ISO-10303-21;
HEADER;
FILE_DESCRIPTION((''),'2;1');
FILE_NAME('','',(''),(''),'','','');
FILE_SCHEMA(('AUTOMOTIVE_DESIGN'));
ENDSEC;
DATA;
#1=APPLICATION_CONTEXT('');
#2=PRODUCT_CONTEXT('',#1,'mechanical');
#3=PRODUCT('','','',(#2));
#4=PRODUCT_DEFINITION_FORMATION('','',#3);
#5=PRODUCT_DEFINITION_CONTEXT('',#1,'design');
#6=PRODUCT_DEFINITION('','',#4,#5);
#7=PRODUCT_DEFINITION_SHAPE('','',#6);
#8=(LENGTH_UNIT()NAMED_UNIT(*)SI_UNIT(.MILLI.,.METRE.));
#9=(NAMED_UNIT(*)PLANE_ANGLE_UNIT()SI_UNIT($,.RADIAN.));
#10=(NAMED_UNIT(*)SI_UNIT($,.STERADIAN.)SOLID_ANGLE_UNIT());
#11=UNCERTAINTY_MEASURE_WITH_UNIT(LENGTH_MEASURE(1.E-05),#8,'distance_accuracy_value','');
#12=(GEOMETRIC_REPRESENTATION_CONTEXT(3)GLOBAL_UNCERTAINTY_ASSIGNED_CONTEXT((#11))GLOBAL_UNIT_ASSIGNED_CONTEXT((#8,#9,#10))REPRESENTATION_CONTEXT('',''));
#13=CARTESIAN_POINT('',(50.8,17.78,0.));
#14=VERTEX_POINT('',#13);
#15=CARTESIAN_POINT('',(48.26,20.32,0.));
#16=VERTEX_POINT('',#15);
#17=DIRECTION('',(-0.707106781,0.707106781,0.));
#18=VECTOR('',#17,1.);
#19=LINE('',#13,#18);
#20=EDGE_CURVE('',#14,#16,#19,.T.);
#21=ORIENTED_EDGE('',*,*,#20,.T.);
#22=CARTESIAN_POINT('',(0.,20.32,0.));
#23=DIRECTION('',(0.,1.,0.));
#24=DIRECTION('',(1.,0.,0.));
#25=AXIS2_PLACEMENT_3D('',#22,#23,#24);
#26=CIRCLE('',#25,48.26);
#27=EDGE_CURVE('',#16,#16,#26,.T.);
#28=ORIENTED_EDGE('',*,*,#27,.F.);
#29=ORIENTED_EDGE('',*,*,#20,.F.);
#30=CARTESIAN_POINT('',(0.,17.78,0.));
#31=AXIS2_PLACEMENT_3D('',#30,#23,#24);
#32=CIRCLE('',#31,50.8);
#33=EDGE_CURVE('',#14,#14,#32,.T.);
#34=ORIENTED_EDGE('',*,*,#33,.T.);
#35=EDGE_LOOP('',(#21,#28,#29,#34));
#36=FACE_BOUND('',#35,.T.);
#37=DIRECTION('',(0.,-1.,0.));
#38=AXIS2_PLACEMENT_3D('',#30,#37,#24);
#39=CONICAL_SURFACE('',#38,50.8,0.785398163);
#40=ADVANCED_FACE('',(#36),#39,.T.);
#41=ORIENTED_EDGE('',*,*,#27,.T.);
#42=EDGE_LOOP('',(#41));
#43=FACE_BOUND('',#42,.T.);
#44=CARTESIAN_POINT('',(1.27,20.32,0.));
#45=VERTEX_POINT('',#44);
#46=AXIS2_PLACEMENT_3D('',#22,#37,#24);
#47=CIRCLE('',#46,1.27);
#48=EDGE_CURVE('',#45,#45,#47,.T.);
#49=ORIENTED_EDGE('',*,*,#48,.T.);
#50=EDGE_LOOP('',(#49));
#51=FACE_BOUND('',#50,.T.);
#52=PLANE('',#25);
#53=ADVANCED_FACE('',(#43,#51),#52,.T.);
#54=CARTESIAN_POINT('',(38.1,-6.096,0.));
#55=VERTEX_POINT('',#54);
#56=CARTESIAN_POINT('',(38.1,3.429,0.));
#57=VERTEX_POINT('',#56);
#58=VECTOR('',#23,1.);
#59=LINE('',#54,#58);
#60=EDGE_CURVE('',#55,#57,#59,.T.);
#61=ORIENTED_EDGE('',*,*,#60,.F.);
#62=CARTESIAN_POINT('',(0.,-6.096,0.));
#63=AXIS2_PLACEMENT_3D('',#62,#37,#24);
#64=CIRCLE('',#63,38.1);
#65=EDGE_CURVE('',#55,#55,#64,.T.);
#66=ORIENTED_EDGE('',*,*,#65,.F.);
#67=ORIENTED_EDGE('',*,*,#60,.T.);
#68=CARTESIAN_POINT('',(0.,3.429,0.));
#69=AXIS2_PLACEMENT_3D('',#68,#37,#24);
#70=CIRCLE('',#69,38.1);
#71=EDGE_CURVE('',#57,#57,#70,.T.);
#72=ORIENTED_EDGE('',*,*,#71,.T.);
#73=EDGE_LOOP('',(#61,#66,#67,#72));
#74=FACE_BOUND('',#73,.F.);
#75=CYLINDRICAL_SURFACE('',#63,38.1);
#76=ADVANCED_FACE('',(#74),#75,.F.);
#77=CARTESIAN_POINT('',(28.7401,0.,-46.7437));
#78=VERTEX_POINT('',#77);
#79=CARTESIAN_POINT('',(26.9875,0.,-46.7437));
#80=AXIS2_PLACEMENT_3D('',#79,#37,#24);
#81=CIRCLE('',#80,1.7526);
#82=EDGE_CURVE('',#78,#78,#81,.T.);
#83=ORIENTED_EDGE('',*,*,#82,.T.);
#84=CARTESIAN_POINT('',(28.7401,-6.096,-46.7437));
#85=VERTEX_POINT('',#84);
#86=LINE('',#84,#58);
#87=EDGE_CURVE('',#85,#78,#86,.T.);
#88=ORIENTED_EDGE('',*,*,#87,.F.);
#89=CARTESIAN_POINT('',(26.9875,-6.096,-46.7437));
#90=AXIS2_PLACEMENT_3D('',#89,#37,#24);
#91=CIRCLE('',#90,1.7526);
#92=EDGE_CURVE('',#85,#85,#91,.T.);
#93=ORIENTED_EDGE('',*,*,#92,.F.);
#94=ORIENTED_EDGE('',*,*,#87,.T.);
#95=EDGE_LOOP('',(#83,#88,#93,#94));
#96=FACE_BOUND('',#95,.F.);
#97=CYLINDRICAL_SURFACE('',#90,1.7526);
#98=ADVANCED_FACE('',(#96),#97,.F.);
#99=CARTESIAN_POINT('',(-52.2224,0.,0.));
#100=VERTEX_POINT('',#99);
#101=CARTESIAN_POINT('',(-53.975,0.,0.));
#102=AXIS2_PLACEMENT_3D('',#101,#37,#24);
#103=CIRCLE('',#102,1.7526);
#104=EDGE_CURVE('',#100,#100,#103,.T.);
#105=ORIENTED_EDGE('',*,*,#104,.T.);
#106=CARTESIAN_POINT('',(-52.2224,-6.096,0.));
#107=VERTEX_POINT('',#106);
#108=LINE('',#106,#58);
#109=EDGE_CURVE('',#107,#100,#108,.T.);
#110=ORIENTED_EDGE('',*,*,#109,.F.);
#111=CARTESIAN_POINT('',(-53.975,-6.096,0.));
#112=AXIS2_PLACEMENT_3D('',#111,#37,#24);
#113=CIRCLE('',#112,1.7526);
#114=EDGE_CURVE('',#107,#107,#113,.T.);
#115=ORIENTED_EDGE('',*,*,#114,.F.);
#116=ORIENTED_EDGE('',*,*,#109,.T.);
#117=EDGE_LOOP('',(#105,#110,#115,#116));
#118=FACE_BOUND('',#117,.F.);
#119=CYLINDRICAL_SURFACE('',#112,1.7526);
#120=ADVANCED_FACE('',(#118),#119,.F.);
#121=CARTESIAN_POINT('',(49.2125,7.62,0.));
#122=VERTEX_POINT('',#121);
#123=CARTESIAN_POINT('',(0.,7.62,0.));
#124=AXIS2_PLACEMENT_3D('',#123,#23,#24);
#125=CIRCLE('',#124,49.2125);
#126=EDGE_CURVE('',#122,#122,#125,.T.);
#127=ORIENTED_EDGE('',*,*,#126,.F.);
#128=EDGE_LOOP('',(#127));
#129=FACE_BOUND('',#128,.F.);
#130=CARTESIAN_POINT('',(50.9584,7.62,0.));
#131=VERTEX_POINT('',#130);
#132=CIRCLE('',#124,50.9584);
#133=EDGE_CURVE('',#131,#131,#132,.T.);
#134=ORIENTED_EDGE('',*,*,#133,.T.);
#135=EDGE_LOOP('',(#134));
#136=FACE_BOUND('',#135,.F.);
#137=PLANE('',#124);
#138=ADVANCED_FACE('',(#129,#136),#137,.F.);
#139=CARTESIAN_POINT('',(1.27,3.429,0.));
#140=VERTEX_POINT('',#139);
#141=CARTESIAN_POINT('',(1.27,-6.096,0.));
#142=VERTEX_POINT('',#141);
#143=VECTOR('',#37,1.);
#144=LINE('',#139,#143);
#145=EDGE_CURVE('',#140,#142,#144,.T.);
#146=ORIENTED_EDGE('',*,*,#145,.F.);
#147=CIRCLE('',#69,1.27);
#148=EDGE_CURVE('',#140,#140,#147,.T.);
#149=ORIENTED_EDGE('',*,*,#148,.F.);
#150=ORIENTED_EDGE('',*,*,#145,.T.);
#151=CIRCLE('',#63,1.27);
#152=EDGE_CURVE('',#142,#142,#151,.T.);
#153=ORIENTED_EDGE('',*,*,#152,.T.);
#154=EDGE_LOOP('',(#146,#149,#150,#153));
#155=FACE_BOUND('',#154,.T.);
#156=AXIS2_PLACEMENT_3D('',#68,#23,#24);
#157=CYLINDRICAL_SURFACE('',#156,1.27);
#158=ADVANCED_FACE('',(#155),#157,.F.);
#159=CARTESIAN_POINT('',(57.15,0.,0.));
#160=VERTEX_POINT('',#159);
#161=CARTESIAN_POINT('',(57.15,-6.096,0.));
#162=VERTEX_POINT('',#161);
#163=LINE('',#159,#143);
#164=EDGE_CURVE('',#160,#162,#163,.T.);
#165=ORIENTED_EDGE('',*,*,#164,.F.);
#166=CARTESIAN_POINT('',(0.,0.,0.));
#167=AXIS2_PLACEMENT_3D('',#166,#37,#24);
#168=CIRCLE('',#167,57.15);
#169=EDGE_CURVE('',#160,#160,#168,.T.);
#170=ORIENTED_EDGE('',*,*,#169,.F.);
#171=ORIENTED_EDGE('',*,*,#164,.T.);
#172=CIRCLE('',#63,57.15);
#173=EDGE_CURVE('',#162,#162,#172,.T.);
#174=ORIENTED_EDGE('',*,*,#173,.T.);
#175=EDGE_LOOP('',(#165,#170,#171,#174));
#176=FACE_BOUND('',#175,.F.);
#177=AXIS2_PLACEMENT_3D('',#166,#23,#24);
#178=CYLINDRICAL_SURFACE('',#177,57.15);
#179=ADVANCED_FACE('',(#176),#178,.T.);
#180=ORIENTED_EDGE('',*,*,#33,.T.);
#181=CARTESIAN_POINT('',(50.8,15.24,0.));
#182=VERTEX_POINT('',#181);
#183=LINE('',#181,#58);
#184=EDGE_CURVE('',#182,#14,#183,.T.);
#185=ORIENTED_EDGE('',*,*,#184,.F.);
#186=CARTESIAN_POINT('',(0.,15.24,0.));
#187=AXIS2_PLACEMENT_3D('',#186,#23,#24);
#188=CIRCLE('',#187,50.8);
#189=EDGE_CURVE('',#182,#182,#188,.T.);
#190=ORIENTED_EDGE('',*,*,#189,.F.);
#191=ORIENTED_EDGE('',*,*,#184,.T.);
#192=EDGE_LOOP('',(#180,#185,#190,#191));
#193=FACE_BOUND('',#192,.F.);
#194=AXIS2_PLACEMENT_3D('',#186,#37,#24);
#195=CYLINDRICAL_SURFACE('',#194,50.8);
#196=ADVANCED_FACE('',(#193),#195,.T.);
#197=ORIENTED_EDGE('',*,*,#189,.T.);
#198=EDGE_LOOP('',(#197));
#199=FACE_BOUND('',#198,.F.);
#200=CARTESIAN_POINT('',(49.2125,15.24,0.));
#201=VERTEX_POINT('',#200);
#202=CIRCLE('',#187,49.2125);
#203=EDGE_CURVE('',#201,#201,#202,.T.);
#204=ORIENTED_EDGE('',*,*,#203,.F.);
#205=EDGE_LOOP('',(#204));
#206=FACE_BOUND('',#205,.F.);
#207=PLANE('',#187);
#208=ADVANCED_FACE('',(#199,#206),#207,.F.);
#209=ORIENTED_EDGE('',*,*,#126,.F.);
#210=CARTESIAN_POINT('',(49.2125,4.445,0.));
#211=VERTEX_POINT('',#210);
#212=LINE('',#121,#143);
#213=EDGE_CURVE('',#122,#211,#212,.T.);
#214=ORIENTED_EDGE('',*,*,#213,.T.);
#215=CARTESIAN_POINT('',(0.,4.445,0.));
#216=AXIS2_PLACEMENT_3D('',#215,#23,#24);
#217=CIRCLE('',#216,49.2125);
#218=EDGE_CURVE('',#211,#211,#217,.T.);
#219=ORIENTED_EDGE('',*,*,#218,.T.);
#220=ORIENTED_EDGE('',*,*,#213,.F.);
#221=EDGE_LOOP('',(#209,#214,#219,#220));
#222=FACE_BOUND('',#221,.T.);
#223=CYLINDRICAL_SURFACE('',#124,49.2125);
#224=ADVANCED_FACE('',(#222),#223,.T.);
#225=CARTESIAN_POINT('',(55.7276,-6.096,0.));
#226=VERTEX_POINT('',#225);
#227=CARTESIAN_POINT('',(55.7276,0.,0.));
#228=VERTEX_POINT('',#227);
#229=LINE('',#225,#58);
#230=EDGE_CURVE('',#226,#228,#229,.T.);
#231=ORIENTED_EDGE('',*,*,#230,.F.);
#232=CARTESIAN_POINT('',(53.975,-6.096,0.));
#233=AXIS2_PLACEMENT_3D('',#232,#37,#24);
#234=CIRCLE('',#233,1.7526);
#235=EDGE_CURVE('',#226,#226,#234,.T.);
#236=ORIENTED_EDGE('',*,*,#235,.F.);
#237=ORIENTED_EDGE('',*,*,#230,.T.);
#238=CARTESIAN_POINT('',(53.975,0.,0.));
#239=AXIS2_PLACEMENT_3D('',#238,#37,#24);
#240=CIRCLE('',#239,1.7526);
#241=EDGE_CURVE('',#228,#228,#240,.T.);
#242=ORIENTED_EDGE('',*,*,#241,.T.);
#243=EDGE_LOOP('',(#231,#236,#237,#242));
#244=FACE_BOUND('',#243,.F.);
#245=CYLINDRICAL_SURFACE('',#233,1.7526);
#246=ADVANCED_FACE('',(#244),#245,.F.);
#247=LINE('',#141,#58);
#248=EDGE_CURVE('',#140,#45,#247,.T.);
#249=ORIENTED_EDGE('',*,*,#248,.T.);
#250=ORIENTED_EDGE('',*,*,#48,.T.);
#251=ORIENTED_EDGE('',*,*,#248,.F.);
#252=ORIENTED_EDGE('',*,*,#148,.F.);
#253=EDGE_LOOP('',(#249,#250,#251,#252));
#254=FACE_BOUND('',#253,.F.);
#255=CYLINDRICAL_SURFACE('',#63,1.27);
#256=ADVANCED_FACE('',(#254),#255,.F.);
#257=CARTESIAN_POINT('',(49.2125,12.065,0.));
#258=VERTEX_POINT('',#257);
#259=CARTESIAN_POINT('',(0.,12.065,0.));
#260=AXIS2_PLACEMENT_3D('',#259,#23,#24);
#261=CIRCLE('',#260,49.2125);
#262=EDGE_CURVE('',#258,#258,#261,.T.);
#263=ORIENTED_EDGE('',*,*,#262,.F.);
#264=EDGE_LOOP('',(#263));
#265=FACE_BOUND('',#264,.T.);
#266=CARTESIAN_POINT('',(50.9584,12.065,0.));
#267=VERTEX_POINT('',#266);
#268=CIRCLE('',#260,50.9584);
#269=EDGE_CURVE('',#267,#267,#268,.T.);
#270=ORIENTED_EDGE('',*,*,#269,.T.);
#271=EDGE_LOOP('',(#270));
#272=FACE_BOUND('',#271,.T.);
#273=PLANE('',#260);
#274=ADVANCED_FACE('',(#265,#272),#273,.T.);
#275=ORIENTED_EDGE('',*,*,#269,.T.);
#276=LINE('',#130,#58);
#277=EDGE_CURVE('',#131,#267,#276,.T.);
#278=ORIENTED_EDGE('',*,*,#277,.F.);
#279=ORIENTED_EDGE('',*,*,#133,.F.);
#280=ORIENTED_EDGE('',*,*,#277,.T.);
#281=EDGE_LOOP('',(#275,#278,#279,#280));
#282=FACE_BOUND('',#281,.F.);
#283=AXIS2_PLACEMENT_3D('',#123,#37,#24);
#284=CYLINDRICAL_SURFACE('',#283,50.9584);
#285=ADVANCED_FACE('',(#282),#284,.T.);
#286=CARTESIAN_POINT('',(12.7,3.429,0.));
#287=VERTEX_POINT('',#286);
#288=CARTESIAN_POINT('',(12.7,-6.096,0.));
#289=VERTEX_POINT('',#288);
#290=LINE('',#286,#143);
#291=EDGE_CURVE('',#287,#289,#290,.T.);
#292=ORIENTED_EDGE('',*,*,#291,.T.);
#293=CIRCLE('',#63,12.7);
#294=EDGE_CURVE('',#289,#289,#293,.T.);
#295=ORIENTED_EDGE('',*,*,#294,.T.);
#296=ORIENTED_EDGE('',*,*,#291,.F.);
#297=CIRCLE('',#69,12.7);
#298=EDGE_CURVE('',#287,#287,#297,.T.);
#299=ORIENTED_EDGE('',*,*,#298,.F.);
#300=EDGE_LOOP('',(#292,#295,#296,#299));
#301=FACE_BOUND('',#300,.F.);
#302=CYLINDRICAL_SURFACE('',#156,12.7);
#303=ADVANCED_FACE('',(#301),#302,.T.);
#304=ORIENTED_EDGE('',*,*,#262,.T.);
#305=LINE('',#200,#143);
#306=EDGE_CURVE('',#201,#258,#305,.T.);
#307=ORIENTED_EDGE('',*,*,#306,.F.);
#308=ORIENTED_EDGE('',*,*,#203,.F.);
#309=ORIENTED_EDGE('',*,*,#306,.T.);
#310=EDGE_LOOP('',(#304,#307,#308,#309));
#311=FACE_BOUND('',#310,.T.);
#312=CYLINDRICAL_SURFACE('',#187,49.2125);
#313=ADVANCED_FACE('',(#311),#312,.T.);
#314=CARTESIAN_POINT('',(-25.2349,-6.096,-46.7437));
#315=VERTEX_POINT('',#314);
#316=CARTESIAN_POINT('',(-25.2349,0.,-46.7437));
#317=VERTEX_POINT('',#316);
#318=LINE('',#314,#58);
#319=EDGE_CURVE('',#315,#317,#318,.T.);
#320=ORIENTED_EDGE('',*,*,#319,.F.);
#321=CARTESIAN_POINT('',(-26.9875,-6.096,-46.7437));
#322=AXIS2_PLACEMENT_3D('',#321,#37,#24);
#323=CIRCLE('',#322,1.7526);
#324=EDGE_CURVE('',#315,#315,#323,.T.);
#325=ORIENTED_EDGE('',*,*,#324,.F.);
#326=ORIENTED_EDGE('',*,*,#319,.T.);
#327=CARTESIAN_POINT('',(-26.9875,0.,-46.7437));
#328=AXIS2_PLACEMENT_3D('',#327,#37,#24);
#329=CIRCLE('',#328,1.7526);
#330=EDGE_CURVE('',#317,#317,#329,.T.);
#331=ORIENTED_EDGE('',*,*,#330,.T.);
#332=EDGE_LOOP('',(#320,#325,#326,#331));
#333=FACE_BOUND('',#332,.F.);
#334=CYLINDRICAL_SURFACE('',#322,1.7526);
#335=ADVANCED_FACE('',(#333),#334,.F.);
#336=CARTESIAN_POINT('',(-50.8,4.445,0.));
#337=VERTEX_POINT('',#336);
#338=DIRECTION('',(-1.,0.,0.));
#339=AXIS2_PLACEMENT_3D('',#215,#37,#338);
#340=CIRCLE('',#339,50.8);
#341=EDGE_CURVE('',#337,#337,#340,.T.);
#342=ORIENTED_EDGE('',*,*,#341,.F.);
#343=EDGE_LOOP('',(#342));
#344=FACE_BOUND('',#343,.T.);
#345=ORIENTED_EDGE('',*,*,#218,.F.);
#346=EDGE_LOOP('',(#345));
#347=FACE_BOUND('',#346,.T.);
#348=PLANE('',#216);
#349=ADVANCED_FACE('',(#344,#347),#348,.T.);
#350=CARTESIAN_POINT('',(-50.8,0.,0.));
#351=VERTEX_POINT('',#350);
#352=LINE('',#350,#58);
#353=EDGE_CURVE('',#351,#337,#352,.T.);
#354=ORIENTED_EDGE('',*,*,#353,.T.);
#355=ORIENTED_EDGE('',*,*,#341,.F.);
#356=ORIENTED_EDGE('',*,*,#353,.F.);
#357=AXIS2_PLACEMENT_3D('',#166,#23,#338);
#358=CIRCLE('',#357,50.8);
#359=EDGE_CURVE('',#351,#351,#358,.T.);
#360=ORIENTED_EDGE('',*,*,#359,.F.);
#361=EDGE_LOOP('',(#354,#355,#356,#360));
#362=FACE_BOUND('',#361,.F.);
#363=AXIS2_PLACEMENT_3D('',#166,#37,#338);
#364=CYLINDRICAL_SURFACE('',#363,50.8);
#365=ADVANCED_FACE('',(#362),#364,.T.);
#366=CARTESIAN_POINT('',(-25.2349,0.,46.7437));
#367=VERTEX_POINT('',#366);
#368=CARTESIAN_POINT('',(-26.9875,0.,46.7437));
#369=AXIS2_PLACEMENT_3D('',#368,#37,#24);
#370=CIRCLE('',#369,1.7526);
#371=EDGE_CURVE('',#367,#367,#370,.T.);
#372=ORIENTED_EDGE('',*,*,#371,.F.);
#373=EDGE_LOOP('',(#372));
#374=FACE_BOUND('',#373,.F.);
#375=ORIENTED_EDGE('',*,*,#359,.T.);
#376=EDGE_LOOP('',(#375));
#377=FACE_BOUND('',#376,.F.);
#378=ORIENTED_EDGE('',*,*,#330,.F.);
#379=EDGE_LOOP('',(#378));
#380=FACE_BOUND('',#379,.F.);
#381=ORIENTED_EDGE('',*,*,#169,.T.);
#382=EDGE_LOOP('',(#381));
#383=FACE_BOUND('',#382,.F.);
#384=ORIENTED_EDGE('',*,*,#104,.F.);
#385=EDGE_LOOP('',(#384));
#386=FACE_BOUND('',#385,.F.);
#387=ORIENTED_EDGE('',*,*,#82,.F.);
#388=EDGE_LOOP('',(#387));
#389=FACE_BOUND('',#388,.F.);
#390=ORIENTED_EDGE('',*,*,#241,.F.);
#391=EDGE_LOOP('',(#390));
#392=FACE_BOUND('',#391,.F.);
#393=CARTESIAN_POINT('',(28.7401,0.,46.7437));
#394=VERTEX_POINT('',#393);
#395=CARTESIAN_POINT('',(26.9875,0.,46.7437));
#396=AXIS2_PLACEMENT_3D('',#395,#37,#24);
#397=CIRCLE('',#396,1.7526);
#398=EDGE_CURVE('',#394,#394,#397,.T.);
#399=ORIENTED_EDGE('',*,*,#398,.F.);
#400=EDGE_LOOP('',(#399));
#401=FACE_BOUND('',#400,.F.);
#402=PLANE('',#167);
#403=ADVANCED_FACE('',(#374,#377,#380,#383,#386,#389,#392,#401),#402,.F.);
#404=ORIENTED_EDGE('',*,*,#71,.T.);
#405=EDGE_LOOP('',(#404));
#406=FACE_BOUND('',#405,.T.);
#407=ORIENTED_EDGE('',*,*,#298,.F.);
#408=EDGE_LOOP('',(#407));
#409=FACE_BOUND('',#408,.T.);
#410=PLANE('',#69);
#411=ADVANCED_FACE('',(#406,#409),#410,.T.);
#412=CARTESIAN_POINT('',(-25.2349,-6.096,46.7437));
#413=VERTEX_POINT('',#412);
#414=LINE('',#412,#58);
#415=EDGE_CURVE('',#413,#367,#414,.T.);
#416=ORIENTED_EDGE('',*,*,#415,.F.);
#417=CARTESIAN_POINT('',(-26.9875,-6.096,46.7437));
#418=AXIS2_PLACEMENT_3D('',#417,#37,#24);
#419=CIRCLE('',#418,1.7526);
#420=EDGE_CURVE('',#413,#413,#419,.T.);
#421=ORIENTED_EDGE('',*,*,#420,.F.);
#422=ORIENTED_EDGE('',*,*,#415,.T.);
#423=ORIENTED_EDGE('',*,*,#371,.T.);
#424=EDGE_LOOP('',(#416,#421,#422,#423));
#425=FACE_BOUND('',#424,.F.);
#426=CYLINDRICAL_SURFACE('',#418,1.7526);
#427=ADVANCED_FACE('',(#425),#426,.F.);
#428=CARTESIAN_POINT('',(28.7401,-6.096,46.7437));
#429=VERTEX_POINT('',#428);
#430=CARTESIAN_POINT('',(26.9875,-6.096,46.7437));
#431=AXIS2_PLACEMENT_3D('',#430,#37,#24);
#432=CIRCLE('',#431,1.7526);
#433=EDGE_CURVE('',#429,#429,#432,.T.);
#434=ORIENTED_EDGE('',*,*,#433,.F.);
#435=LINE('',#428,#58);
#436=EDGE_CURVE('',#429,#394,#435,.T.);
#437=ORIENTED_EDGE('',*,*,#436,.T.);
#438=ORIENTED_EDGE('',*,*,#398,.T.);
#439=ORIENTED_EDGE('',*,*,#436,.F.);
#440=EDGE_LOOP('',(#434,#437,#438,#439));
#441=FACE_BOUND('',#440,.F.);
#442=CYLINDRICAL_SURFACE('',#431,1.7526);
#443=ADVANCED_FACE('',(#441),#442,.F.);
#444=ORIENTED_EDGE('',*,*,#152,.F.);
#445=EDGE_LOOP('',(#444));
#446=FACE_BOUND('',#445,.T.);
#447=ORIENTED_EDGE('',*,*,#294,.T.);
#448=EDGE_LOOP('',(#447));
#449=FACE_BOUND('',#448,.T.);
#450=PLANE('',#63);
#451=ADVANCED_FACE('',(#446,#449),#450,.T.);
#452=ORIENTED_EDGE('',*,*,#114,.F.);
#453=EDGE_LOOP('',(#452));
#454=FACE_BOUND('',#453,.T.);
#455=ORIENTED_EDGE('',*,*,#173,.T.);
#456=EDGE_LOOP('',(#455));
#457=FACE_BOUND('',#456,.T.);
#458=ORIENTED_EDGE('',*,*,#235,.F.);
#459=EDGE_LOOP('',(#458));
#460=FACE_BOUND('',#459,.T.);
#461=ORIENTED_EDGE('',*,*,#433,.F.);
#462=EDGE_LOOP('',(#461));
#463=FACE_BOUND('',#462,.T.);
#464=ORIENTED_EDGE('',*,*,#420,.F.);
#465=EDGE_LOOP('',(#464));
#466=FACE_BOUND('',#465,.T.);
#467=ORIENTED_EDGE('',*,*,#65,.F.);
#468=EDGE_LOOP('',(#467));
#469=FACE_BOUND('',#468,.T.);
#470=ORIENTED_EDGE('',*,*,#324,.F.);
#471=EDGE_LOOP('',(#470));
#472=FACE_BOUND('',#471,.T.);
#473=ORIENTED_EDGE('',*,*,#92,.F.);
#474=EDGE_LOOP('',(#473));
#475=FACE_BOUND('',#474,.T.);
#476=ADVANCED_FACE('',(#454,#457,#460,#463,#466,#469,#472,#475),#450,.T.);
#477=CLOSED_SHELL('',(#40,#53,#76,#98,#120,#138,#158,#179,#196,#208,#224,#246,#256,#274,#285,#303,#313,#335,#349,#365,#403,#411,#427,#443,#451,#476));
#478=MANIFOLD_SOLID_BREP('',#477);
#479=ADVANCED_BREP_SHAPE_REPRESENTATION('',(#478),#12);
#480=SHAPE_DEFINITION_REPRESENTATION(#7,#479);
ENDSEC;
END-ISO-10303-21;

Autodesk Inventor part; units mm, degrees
ref_plane "YZ Plane" through (0, 0, 0) normal (1, 0, 0) x (0, 1, 0)
ref_plane "XZ Plane" through (0, 0, 0) normal (0, 1, 0) x (-1, 0, 0)
ref_plane "XY Plane" through (0, 0, 0) normal (0, 0, 1) x (1, 0, 0)
sketch "Sketch1" plane through (0, 0, 0) normal (0, 1, 0) x (-1, 0, 0)
  circle A0 centre (0, 0) radius 50.8
  dimension "d0" = 101.6
extrude "Extrusion1" add sketch "Sketch1" along normal blind 7.62
sketch "Sketch2" plane through (0, 7.62, 0) normal (0, 1, 0) x (1, 0, 0)
  circle A0 centre (0, 0) radius 49.2125
  circle A1 centre (0, 0) radius 50.8
  dimension "d3" = 98.425
extrude "Extrusion2" cut sketch "Sketch2" against normal blind 3.175
sketch "Sketch3" plane through (0, 7.62, 0) normal (0, 1, 0) x (1, 0, 0)
  circle A0 centre (0, 0) radius 50.9584
extrude "Extrusion3" add sketch "Sketch3" along normal blind 7.62
sketch "Sketch4" plane through (0, 15.24, 0) normal (0, 1, 0) x (1, 0, 0)
  point P0 (0, 0)
sketch "Sketch5" plane through (0, 15.24, 0) normal (0, 1, 0) x (1, 0, 0)
  circle A0 centre (0, 0) radius 49.2125
  circle A1 centre (0, 0) radius 50.9584
  dimension "d8" = 98.425
extrude "Extrusion4" cut sketch "Sketch5" against normal blind 3.175
sketch "Sketch6" plane through (0, 15.24, 0) normal (0, 1, 0) x (1, 0, 0)
  circle A0 centre (0, 0) radius 50.8
  dimension "d11" = 101.6
extrude "Extrusion5" add sketch "Sketch6" along normal blind 5.08
sketch "Sketch7" plane through (0, 0, 0) normal (0, -1, 0) x (1, 0, 0)
  circle A0 centre (0, 0) radius 57.15
  dimension "d14" = 114.3
extrude "Extrusion6" add sketch "Sketch7" along normal blind 6.096
chamfer "Chamfer1" distance 2.54 angle 45 1 edges at (-50.8, 20.32, 0)
sketch "Sketch8" plane through (0, -6.096, 0) normal (0, -1, 0) x (1, 0, 0)
  circle A0 centre (0, 0) radius 50.8
  circle A1 centre (53.975, 0) radius 1.7526
  circle A2 centre (26.9875, 46.7437) radius 1.7526
  circle A3 centre (-26.9875, 46.7437) radius 1.7526
  circle A4 centre (-53.975, 0) radius 1.7526
  circle A5 centre (-26.9875, -46.7437) radius 1.7526
  circle A6 centre (26.9875, -46.7437) radius 1.7526
  dimension "d20" = 3.5052
  dimension "d21" = 53.975
  dimension "d24" = 360
extrude "Extrusion7" cut sketch "Sketch8" against normal blind 6.096 contours A1 | A2 | A3 | A4 | A5 | A6
sketch "Sketch9" plane through (0, -6.096, 0) normal (0, -1, 0) x (1, 0, 0)
  circle A0 centre (0, 0) radius 12.7
  circle A1 centre (0, 0) radius 1.27
  dimension "d28" = 25.4
  dimension "d29" = 2.54
extrude "Extrusion8" cut sketch "Sketch9" against normal blind 127 contours A1
sketch "Sketch10" plane through (0, -6.096, 0) normal (0, -1, 0) x (1, 0, 0)
  circle A0 centre (0, 0) radius 1.27 projected
  circle A1 centre (0, 0) radius 38.1
  dimension "d33" = 76.2
extrude "Extrusion9" cut sketch "Sketch10" against normal blind 9.525
sketch "Sketch11" plane through (0, 3.429, 0) normal (0, -1, 0) x (1, 0, 0)
  circle A0 centre (0, 0) radius 12.7
  circle A1 centre (0, 0) radius 1.27
  dimension "d36" = 25.4
extrude "Extrusion10" add sketch "Sketch11" along normal blind 9.525
properties part number "O ring Plug 1"
